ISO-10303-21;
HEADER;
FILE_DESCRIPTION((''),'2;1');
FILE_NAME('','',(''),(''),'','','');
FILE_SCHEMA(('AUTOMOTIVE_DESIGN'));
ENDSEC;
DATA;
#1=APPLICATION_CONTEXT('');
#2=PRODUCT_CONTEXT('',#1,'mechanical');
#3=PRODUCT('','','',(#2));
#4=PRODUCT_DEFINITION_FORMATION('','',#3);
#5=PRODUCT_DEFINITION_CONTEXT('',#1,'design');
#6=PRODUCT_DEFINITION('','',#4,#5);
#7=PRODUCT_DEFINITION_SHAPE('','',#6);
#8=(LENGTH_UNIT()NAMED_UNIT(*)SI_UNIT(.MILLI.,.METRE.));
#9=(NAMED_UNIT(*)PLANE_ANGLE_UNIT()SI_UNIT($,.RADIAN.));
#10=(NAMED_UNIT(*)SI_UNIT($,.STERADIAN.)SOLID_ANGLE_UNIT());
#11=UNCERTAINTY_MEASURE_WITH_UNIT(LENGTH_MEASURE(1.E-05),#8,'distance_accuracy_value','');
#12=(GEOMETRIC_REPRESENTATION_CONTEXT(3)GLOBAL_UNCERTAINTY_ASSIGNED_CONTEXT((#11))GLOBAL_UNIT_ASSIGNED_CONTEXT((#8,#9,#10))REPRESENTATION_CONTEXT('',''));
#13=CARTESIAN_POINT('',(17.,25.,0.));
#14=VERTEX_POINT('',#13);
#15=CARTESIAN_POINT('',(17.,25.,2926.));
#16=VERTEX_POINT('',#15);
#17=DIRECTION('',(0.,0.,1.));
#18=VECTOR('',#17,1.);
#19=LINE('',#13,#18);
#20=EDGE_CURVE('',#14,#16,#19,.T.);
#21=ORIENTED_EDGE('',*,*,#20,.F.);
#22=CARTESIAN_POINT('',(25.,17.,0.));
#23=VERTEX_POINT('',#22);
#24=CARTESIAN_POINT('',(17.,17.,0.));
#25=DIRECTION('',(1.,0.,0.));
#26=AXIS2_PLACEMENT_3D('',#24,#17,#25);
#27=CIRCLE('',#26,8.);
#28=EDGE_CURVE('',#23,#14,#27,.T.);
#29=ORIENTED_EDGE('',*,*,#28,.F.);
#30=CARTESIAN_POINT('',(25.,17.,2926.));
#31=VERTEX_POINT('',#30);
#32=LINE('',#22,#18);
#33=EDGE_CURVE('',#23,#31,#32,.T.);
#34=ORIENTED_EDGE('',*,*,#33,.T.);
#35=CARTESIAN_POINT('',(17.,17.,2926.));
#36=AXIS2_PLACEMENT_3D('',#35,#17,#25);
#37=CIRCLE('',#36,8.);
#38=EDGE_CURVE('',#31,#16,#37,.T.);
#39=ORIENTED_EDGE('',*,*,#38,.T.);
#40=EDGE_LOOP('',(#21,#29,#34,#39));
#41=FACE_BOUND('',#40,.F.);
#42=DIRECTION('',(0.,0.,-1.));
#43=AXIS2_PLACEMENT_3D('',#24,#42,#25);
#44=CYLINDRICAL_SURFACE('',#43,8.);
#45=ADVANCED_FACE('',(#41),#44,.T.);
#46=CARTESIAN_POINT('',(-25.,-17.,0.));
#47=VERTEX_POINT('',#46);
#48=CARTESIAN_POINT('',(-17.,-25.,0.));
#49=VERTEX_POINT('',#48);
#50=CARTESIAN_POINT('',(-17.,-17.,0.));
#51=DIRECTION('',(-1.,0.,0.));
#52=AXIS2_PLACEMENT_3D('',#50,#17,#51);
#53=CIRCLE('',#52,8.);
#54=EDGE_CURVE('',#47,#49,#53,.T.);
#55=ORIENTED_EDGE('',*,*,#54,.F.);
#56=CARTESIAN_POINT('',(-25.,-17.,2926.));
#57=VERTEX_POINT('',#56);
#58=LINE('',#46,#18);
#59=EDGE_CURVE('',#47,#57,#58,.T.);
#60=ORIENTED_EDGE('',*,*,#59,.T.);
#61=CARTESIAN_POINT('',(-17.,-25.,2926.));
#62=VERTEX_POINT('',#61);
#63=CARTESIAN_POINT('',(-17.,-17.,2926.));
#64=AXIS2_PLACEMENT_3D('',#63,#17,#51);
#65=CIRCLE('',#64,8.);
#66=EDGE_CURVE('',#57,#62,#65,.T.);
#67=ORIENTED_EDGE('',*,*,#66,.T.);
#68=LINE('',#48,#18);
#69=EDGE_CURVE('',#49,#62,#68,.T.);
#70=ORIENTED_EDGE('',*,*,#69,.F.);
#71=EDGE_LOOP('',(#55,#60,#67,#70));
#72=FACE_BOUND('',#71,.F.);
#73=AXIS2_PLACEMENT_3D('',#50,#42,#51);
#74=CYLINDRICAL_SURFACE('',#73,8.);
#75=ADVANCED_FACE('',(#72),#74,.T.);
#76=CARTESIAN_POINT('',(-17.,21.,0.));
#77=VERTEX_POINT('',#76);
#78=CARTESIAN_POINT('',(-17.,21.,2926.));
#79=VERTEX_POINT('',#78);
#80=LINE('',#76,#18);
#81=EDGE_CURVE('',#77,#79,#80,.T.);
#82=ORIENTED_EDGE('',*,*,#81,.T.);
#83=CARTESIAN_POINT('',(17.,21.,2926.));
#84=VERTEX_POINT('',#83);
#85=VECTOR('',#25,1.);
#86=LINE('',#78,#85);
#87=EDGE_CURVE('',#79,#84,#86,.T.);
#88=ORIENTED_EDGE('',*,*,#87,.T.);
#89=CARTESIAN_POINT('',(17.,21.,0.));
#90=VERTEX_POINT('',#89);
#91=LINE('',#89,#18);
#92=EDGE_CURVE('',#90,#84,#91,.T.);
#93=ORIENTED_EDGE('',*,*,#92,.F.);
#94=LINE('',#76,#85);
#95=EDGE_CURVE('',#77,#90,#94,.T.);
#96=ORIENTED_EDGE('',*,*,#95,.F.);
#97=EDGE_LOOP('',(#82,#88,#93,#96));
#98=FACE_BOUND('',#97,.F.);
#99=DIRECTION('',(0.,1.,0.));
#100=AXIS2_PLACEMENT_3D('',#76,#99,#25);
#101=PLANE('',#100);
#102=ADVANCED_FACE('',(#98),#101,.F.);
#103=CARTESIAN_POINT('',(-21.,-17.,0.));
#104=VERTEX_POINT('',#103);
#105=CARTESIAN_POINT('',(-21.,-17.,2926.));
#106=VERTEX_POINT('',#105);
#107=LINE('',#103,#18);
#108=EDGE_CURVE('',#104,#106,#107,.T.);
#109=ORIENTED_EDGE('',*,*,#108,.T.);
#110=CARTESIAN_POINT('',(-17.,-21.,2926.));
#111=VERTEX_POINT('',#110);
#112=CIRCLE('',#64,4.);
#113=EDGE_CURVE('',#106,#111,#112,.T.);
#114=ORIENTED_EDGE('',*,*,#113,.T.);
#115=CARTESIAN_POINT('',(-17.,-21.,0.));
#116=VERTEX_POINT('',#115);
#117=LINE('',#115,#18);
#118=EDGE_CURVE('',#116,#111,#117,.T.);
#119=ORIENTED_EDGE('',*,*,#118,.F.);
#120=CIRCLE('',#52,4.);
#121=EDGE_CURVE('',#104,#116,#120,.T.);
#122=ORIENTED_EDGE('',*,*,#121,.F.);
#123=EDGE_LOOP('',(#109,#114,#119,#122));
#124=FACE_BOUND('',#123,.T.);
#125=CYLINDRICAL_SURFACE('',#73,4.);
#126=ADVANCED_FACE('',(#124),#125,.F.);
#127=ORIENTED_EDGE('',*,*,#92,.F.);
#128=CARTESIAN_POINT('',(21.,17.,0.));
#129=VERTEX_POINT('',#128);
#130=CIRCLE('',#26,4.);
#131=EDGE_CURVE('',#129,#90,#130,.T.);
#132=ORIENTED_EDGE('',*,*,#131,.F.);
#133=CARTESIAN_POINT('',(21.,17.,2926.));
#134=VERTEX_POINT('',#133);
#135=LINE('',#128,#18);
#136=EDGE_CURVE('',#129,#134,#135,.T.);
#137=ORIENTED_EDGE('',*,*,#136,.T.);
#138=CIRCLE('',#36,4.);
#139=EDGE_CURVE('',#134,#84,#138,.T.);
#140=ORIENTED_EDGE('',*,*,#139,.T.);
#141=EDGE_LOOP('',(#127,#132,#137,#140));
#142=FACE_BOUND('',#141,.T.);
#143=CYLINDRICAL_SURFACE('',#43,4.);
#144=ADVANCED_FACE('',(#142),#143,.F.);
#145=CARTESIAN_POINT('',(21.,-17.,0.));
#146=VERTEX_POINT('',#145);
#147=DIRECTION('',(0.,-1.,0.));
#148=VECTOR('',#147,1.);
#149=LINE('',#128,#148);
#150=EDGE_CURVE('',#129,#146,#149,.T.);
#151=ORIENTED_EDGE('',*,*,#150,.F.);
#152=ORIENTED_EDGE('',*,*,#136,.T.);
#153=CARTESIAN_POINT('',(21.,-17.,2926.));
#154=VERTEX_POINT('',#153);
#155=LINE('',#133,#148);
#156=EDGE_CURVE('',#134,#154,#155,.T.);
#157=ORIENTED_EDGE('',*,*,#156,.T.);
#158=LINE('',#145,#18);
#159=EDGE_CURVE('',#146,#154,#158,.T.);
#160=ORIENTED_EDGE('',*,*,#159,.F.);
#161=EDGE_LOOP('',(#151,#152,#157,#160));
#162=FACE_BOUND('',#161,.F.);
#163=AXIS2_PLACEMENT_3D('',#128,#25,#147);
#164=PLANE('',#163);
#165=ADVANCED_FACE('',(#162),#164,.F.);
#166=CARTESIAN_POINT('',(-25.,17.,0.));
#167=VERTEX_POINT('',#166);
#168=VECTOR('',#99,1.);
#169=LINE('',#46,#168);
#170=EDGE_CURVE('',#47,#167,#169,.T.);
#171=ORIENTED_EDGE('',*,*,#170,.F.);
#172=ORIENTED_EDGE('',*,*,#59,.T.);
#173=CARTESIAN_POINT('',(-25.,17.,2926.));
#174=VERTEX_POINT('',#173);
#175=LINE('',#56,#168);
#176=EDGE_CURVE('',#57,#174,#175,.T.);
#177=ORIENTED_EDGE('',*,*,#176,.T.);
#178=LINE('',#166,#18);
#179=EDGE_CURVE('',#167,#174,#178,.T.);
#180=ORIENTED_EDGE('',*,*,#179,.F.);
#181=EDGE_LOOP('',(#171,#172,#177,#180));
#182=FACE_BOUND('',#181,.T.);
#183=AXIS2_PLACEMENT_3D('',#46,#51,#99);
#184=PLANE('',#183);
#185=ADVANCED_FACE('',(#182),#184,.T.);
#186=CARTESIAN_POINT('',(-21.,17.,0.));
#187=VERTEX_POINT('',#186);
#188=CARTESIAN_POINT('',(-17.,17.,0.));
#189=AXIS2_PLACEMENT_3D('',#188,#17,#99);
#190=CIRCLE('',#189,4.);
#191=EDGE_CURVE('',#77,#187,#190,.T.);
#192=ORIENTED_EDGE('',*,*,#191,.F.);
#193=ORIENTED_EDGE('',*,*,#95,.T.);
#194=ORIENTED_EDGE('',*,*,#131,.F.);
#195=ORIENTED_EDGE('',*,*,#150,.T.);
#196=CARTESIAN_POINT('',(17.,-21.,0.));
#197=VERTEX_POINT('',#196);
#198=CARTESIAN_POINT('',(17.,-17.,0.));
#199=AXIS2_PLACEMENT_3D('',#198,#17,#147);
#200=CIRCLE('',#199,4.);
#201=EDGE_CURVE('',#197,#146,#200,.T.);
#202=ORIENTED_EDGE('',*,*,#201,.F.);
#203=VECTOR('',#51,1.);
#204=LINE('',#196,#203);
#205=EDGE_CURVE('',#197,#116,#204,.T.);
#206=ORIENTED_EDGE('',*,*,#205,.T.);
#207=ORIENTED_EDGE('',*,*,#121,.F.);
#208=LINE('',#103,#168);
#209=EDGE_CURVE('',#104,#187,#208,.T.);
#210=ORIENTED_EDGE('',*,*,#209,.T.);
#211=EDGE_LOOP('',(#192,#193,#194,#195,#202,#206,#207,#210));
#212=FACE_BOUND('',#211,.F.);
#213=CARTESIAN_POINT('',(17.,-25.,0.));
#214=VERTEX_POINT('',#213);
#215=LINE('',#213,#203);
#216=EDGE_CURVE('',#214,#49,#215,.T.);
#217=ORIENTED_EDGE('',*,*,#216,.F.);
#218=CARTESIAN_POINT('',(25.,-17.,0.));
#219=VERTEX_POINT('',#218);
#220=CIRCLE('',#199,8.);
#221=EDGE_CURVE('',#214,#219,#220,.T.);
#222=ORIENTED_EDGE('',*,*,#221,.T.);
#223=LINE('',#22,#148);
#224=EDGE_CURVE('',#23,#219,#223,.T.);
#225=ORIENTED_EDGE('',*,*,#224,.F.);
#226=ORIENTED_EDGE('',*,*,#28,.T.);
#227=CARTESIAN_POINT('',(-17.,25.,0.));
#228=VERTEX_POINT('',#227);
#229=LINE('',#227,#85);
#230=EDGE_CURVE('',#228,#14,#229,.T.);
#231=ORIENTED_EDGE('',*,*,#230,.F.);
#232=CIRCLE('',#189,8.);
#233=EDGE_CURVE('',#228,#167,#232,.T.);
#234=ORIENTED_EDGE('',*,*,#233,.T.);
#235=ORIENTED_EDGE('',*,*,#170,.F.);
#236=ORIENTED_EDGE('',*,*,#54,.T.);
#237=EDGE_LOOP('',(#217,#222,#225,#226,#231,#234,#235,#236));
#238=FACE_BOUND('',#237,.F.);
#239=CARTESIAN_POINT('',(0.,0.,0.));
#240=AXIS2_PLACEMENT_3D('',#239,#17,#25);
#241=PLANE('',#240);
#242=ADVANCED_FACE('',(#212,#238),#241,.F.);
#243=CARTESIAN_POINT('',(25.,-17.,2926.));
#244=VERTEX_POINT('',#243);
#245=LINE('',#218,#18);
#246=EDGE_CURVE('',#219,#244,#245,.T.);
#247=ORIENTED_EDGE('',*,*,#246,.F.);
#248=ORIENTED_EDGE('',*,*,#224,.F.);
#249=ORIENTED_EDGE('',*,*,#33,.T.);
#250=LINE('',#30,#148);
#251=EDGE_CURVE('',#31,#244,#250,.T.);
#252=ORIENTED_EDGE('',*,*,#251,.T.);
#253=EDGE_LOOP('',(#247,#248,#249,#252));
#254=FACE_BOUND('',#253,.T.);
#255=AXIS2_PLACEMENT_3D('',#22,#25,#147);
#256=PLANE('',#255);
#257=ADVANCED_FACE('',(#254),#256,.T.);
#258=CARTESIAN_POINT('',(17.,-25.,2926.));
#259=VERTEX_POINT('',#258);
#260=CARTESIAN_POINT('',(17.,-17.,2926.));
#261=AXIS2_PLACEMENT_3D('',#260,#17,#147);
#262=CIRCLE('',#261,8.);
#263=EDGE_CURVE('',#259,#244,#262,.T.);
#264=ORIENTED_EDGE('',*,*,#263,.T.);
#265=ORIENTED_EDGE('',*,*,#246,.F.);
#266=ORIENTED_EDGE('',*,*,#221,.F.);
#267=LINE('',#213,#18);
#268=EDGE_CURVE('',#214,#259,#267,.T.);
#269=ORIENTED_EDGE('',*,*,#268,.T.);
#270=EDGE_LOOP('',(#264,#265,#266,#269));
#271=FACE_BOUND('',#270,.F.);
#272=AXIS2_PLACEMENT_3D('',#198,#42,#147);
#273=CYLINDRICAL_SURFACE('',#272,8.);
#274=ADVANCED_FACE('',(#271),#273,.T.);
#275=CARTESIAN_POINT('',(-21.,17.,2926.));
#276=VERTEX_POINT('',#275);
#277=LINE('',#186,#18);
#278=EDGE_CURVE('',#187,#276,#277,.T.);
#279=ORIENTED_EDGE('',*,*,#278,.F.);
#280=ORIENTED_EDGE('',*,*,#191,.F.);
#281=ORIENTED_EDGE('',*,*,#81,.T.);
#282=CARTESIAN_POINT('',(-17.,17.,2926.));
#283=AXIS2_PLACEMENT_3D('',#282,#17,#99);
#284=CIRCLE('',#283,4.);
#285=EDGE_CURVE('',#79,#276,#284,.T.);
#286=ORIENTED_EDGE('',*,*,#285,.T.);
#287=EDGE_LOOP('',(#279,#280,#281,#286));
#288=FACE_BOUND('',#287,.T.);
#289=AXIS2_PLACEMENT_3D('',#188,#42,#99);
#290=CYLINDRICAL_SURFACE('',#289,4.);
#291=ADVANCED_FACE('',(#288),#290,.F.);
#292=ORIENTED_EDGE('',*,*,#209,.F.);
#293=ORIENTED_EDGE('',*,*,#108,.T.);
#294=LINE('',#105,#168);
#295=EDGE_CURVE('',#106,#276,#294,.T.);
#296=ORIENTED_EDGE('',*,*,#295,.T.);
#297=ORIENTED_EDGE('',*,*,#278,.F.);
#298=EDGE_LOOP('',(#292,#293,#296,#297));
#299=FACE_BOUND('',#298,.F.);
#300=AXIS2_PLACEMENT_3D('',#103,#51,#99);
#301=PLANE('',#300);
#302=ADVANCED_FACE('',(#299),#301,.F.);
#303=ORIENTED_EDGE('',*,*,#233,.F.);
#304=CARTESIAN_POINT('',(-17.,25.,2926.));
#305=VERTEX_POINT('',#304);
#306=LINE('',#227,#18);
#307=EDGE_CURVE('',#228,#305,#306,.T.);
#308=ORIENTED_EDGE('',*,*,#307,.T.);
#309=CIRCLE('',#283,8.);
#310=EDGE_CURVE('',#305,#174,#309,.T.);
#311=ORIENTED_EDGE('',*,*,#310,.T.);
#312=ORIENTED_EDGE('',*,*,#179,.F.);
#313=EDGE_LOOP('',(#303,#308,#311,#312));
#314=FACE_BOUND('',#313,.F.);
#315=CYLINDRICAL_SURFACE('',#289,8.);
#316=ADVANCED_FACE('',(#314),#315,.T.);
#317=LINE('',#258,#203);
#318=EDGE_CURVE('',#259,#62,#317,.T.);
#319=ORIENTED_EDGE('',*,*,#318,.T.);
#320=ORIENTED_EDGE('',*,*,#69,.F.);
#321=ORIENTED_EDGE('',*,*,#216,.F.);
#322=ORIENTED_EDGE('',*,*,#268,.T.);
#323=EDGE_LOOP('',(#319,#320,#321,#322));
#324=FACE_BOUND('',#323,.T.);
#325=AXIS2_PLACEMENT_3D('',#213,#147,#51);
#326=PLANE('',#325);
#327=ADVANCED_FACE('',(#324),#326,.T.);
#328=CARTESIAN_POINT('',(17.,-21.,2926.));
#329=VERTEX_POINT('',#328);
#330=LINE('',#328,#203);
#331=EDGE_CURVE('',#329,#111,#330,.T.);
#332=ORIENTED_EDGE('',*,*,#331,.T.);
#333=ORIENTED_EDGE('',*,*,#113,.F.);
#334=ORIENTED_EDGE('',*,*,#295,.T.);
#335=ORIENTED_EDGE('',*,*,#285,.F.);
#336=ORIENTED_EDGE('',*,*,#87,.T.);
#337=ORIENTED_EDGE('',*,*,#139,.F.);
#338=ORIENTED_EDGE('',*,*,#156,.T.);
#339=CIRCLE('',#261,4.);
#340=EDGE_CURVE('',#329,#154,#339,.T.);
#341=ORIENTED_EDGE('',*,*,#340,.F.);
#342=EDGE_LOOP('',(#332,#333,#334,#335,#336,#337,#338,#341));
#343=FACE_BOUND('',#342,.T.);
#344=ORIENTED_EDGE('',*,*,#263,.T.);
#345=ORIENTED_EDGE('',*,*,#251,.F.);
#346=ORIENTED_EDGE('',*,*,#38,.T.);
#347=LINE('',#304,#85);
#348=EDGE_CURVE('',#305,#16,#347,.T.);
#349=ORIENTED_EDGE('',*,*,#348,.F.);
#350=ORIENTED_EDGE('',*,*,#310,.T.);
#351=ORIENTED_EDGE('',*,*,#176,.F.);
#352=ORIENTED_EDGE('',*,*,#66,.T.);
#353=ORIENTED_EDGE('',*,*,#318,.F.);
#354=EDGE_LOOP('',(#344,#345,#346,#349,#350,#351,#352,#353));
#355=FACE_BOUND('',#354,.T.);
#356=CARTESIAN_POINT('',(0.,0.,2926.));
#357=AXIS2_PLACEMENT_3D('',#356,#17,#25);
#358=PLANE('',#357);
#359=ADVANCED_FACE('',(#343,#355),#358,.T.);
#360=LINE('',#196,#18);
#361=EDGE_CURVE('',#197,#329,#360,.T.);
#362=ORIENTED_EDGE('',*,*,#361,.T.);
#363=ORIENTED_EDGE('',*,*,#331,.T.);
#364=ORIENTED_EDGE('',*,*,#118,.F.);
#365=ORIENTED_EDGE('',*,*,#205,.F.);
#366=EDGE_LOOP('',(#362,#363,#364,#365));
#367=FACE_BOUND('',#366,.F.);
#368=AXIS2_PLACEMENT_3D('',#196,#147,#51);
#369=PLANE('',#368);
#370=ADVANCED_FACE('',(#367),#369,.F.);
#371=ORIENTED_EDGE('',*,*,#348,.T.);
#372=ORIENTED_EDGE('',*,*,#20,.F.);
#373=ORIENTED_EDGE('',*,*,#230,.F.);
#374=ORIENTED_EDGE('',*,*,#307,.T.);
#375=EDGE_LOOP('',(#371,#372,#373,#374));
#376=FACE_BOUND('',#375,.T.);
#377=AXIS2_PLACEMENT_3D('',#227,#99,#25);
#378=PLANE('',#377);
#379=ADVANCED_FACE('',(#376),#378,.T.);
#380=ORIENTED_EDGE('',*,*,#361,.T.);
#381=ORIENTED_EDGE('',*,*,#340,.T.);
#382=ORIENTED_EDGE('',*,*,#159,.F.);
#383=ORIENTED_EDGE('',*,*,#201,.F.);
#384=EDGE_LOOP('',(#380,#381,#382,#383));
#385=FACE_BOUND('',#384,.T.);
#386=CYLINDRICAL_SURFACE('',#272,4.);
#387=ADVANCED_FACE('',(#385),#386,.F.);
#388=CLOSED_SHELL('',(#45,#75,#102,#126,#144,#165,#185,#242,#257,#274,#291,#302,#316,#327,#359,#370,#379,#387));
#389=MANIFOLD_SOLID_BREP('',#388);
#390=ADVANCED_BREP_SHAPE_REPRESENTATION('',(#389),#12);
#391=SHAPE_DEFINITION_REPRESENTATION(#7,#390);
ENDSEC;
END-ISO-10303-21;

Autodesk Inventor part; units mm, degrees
ref_plane "YZ Plane" through (0, 0, 0) normal (1, 0, 0) x (0, 1, 0)
ref_plane "Start Plane" through (0, 0, 0) normal (0, 0, 1) x (1, 0, 0)
ref_plane "End Plane" through (0, 0, 2926) normal (0, 0, 1) x (1, 0, 0)
sketch "Sketch" plane through (0, 0, 0) normal (0, 0, 1) x (1, 0, 0)
  line L0 (-25, -17) -> (-25, 17)
  line L1 (-17, 25) -> (17, 25)
  line L2 (25, 17) -> (25, -17)
  line L3 (17, -25) -> (-17, -25)
  arc A0 (-25, -17) -> (-17, -25) centre (-17, -17) ccw
  arc A1 (25, 17) -> (17, 25) centre (17, 17) ccw
  arc A2 (-17, 25) -> (-25, 17) centre (-17, 17) ccw
  arc A3 (17, -25) -> (25, -17) centre (17, -17) ccw
  arc A4 (-17, 21) -> (-21, 17) centre (-17, 17) ccw
  line L4 (-17, 21) -> (17, 21)
  arc A5 (21, 17) -> (17, 21) centre (17, 17) ccw
  line L5 (21, 17) -> (21, -17)
  arc A6 (17, -21) -> (21, -17) centre (17, -17) ccw
  line L6 (17, -21) -> (-17, -21)
  arc A7 (-21, -17) -> (-17, -21) centre (-17, -17) ccw
  line L7 (-21, -17) -> (-21, 17)
  line L8 (0, 37.3196) -> (0, -37.3196) construction
  line L9 (-37.3196, 0) -> (37.3196, 0) construction
  dimension "d7" = 8
  dimension "d9" = 50
  dimension "d11" = 50
  dimension "d12" = 4
  dimension "d15" = 25
  dimension "d16" = 25
extrude "Body" add sketch "Sketch" along normal up to surface (2926 mm away) from surface at 0
sketch "Sketch3" plane through (0, 0, 0) normal (0, 0, 1) x (1, 0, 0)
  line L0 (0, 0) -> (10, 0)
ref_plane "Work Plane3" through (0, 0, 0) normal (0, -1, 0) x (1, 0, 0)
sketch "Sketch4" plane through (0, 0, 0) normal (0, -1, 0) x (1, 0, 0)
  line L0 (-2, 0) -> (12, 0)
  line L1 (-2, 2926) -> (12, 2926)
  dimension "d18" = 2926
equation "\"d7\" = G_IR"
equation "\"d9\" = G_W"
equation "\"d11\" = G_H"
equation "\"d12\" = G_T"
equation "\"d15\" = 0.5 * d9"
equation "\"d16\" = 0.5 * d11"
equation "\"d3\" = G_L"
equation "\"G_W\" = 50"
equation "\"G_H\" = 50"
equation "\"G_T\" = 4"
equation "\"G_IR\" = 8"
equation "\"G_L\" = d18"
equation "\"G_OFFSET_START\" = 0"
equation "\"G_OFFSET_END\" = 0"
equation "\"d14\" = G_OFFSET_END + B_L"
equation "\"B_L\" = 2926"
properties part number "ISO 10799-2 50x50x4 1744705201439" material "Steel, Mild"
